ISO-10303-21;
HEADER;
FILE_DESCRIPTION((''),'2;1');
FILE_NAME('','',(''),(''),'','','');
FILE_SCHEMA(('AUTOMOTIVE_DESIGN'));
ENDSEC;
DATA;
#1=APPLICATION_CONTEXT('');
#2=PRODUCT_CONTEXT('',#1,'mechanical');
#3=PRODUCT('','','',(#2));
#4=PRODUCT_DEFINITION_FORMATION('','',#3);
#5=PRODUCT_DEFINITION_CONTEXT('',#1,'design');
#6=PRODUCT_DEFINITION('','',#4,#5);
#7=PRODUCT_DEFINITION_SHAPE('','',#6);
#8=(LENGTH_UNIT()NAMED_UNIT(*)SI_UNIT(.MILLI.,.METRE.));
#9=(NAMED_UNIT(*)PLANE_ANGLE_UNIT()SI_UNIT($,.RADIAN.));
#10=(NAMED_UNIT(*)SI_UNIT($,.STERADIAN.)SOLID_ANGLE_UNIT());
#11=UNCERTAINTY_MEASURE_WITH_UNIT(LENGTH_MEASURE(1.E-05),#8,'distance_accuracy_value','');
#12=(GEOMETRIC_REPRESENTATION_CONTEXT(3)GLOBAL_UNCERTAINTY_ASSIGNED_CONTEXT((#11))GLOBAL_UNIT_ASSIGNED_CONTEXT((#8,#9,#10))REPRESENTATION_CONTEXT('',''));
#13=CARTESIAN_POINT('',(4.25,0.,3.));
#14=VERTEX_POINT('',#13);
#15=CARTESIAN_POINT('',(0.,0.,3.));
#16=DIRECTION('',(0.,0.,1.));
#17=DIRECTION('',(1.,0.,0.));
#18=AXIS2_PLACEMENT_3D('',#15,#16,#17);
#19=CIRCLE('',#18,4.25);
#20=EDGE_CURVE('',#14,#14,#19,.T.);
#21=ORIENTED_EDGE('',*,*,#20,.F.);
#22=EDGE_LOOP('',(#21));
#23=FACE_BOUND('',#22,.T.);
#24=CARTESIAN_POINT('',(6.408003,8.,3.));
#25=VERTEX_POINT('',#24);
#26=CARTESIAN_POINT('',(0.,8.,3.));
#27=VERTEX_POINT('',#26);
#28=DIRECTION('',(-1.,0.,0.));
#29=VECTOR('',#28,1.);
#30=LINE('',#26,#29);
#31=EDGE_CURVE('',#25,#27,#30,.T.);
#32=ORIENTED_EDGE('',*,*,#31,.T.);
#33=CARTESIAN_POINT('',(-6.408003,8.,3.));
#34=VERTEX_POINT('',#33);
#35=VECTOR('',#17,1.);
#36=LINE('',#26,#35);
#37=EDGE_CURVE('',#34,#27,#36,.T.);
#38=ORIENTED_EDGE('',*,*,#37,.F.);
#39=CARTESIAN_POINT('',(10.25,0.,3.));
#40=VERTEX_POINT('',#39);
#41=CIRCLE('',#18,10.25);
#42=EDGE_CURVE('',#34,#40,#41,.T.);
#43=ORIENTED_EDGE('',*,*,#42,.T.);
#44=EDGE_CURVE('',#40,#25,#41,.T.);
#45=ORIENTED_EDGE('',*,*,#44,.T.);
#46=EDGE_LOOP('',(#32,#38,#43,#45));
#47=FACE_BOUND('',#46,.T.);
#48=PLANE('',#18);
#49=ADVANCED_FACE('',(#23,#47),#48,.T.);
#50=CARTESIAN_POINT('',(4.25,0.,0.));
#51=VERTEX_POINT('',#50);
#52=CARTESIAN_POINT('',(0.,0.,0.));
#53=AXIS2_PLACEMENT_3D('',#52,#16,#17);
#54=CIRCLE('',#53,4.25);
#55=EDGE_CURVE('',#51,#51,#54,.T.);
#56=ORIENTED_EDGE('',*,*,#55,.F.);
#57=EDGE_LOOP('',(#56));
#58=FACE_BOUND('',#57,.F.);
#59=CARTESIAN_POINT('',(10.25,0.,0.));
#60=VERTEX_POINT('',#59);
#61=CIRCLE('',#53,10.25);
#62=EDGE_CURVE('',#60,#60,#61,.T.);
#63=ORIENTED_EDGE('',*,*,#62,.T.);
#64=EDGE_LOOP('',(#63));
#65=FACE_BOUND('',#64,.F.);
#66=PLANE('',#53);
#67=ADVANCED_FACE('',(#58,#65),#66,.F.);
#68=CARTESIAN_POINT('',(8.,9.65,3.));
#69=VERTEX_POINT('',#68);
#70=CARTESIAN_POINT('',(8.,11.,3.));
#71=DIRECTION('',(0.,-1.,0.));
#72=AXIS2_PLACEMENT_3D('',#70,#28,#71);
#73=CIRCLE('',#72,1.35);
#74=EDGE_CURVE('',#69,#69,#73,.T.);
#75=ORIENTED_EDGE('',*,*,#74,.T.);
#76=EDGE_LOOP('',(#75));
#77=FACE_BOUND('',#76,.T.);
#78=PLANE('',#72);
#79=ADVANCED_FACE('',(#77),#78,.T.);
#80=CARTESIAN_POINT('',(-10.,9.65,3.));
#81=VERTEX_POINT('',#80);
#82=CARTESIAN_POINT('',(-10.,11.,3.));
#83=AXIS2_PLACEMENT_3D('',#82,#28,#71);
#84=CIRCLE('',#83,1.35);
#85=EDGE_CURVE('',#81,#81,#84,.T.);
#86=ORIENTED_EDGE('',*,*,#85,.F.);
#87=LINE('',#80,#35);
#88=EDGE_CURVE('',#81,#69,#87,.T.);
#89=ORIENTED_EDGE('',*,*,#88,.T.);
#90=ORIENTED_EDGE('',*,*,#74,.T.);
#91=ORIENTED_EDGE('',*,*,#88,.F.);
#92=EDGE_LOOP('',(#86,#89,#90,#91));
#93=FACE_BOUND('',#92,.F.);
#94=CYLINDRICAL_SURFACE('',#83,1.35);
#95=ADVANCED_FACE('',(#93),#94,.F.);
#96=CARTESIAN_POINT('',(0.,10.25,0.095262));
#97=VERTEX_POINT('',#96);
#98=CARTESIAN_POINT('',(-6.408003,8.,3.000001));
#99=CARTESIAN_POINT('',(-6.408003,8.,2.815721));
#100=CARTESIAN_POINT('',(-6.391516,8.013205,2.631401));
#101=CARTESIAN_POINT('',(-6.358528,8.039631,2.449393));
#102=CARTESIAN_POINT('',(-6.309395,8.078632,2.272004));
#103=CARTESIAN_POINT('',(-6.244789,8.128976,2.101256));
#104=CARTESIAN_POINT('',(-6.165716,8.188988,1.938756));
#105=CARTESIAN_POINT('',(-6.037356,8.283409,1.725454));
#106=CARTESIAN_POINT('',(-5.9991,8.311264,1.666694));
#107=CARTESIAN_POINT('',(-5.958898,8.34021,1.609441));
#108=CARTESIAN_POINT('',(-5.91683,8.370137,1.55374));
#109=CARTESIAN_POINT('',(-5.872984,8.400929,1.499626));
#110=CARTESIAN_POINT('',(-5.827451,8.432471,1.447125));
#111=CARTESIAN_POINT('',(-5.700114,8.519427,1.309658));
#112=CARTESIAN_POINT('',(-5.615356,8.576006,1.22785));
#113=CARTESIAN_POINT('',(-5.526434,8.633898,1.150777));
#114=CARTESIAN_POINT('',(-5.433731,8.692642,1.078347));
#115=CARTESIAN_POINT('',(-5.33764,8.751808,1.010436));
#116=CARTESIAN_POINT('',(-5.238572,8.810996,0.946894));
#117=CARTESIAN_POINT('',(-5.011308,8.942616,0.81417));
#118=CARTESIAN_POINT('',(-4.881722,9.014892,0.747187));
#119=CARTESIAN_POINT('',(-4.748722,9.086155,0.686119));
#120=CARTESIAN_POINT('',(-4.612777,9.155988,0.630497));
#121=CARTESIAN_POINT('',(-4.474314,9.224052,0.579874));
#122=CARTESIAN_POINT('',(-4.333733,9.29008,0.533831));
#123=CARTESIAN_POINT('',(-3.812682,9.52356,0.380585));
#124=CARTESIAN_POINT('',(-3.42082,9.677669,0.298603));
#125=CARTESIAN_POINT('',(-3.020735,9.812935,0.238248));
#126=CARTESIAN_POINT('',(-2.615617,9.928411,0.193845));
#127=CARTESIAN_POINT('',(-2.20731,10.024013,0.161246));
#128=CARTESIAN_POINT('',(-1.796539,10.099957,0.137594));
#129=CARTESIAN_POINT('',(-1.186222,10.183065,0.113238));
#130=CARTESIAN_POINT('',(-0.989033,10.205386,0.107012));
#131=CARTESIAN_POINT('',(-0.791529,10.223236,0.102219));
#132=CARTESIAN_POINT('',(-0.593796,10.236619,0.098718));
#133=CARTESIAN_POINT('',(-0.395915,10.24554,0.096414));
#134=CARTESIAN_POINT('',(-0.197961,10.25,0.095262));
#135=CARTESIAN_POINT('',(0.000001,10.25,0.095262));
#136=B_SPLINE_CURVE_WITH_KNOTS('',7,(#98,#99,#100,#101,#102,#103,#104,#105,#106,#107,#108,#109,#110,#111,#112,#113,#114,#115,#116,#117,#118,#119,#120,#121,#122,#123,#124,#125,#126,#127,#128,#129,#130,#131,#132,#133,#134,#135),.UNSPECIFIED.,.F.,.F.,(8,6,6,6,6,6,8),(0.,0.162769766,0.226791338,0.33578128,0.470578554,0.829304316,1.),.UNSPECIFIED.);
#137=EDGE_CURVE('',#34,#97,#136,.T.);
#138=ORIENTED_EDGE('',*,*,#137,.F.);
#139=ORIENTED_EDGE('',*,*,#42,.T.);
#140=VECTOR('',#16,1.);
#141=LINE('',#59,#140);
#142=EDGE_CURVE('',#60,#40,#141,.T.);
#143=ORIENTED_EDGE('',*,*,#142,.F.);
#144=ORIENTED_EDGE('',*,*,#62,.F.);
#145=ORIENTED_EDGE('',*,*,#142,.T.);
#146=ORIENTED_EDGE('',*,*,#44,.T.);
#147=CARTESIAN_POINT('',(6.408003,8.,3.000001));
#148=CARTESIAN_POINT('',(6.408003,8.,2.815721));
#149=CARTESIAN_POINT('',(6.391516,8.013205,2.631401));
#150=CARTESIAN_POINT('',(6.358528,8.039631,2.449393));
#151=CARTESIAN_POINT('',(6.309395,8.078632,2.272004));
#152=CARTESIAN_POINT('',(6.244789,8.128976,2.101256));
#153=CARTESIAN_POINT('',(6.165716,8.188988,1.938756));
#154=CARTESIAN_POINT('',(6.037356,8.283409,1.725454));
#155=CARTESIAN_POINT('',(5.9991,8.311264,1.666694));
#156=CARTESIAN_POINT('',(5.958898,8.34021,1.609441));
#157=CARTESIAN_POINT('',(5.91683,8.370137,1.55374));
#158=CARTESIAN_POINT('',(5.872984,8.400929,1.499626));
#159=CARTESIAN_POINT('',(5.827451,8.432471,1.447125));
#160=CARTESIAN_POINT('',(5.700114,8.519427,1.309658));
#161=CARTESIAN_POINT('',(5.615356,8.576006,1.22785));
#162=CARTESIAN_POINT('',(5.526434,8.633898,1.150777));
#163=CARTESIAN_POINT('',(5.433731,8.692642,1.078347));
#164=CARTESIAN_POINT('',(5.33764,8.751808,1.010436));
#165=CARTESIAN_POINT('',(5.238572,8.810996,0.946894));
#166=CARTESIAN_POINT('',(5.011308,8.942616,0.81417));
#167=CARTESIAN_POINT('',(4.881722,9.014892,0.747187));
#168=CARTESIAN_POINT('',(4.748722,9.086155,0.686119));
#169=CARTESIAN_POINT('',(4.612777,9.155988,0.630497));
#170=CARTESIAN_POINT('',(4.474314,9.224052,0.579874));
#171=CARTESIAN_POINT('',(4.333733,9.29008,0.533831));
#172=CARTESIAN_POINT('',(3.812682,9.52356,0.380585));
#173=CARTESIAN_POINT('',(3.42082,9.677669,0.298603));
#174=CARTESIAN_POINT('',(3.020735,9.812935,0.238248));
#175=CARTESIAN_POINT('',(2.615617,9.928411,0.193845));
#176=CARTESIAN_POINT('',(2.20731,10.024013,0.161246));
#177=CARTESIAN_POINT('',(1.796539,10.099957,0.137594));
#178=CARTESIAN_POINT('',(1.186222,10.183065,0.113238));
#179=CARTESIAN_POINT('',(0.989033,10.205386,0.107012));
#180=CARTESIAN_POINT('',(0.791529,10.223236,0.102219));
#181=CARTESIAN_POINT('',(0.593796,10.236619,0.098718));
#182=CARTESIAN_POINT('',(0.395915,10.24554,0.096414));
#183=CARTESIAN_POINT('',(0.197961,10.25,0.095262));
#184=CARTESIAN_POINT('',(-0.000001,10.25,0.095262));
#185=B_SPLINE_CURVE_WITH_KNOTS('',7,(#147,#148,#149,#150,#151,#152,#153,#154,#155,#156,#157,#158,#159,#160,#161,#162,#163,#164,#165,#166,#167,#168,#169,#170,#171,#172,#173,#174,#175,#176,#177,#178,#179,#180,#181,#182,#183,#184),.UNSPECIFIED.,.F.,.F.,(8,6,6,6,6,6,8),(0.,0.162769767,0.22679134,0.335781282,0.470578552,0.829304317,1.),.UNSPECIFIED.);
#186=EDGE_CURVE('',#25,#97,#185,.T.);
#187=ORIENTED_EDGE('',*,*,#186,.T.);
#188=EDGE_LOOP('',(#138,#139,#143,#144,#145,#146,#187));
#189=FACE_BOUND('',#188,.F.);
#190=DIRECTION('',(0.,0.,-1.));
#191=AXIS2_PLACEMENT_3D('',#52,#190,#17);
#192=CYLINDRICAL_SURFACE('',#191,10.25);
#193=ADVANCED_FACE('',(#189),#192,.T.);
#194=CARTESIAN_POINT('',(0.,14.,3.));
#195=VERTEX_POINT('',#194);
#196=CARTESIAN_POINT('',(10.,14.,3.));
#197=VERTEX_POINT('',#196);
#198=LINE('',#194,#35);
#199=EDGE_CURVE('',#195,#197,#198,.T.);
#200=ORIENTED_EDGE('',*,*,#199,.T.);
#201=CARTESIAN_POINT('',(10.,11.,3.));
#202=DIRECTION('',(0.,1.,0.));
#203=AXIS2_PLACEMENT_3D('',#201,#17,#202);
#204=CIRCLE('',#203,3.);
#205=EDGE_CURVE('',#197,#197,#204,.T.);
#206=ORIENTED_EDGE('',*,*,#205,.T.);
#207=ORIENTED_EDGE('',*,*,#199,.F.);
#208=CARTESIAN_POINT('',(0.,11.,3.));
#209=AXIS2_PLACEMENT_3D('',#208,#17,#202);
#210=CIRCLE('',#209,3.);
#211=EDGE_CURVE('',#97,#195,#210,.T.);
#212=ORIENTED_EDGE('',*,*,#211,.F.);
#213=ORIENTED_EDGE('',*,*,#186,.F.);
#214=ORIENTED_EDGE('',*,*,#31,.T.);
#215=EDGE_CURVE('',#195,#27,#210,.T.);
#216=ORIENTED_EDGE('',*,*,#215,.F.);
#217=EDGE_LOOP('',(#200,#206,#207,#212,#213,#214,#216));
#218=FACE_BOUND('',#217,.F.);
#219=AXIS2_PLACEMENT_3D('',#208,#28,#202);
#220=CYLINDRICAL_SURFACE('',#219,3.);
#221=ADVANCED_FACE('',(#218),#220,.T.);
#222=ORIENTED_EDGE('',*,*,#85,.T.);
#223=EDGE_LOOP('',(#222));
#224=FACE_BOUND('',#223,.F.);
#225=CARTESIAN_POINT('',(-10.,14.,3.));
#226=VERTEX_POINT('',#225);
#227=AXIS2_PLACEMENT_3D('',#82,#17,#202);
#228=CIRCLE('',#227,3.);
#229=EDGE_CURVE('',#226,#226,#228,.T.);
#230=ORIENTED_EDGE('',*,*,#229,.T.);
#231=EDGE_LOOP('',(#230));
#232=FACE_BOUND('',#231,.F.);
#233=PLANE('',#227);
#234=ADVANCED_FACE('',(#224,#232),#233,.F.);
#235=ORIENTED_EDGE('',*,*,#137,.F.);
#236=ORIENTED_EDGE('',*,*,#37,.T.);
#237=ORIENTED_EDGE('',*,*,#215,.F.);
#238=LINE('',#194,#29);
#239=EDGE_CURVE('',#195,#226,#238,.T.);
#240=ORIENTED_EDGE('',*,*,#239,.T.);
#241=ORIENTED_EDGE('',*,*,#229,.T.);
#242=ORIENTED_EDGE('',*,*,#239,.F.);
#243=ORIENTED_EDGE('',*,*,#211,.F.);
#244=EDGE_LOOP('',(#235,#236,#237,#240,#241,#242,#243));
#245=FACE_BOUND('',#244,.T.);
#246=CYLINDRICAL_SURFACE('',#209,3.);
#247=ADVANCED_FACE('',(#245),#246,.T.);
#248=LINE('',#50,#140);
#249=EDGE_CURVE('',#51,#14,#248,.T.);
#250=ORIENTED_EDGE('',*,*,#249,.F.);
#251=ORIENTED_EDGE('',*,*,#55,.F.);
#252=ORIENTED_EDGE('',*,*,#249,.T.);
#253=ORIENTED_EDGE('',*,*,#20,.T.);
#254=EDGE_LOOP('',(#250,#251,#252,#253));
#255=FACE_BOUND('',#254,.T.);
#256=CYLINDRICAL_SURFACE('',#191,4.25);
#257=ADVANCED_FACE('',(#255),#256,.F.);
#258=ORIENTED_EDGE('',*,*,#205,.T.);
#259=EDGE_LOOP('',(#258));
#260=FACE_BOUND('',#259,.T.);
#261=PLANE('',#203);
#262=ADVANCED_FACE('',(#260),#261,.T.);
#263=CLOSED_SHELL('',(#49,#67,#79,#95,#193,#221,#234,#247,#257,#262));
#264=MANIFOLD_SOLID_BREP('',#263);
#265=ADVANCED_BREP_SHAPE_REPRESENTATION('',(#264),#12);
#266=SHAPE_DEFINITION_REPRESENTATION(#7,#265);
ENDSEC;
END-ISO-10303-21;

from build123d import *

# Parameters (mm, degrees)
F0_R          = 10.25
F0_R_2        = 4.25
F1_DEPTH      = 3
F2_R          = 3
F3_DEPTH      = 10
F3_DEPTH_BACK = 10
F4_R          = 1.35
F5_DEPTH      = 18


with BuildPart() as f1:
    # F0 (on Top) → F1 (new body)
    with BuildSketch(Plane.XY):
        Circle(F0_R)
        Circle(F0_R_2, mode=Mode.SUBTRACT)
    extrude(amount=F1_DEPTH)

    # F2 (on Right) → F3 (join, two sides)
    with BuildSketch(Plane.YZ) as f3_sk:
        with Locations((11, 3)):
            Circle(F2_R)
    extrude(amount=F3_DEPTH)
    extrude(f3_sk.sketch, amount=-F3_DEPTH_BACK)

    # F4 (on face) → F5 (cut)
    with BuildSketch(Plane(origin=(-10, 0, 0), x_dir=(0, -1, 0), z_dir=(-1, 0, 0))):
        with Locations((-11, 3)):
            Circle(F4_R)
    extrude(amount=-F5_DEPTH, mode=Mode.SUBTRACT)


solid = f1.part
